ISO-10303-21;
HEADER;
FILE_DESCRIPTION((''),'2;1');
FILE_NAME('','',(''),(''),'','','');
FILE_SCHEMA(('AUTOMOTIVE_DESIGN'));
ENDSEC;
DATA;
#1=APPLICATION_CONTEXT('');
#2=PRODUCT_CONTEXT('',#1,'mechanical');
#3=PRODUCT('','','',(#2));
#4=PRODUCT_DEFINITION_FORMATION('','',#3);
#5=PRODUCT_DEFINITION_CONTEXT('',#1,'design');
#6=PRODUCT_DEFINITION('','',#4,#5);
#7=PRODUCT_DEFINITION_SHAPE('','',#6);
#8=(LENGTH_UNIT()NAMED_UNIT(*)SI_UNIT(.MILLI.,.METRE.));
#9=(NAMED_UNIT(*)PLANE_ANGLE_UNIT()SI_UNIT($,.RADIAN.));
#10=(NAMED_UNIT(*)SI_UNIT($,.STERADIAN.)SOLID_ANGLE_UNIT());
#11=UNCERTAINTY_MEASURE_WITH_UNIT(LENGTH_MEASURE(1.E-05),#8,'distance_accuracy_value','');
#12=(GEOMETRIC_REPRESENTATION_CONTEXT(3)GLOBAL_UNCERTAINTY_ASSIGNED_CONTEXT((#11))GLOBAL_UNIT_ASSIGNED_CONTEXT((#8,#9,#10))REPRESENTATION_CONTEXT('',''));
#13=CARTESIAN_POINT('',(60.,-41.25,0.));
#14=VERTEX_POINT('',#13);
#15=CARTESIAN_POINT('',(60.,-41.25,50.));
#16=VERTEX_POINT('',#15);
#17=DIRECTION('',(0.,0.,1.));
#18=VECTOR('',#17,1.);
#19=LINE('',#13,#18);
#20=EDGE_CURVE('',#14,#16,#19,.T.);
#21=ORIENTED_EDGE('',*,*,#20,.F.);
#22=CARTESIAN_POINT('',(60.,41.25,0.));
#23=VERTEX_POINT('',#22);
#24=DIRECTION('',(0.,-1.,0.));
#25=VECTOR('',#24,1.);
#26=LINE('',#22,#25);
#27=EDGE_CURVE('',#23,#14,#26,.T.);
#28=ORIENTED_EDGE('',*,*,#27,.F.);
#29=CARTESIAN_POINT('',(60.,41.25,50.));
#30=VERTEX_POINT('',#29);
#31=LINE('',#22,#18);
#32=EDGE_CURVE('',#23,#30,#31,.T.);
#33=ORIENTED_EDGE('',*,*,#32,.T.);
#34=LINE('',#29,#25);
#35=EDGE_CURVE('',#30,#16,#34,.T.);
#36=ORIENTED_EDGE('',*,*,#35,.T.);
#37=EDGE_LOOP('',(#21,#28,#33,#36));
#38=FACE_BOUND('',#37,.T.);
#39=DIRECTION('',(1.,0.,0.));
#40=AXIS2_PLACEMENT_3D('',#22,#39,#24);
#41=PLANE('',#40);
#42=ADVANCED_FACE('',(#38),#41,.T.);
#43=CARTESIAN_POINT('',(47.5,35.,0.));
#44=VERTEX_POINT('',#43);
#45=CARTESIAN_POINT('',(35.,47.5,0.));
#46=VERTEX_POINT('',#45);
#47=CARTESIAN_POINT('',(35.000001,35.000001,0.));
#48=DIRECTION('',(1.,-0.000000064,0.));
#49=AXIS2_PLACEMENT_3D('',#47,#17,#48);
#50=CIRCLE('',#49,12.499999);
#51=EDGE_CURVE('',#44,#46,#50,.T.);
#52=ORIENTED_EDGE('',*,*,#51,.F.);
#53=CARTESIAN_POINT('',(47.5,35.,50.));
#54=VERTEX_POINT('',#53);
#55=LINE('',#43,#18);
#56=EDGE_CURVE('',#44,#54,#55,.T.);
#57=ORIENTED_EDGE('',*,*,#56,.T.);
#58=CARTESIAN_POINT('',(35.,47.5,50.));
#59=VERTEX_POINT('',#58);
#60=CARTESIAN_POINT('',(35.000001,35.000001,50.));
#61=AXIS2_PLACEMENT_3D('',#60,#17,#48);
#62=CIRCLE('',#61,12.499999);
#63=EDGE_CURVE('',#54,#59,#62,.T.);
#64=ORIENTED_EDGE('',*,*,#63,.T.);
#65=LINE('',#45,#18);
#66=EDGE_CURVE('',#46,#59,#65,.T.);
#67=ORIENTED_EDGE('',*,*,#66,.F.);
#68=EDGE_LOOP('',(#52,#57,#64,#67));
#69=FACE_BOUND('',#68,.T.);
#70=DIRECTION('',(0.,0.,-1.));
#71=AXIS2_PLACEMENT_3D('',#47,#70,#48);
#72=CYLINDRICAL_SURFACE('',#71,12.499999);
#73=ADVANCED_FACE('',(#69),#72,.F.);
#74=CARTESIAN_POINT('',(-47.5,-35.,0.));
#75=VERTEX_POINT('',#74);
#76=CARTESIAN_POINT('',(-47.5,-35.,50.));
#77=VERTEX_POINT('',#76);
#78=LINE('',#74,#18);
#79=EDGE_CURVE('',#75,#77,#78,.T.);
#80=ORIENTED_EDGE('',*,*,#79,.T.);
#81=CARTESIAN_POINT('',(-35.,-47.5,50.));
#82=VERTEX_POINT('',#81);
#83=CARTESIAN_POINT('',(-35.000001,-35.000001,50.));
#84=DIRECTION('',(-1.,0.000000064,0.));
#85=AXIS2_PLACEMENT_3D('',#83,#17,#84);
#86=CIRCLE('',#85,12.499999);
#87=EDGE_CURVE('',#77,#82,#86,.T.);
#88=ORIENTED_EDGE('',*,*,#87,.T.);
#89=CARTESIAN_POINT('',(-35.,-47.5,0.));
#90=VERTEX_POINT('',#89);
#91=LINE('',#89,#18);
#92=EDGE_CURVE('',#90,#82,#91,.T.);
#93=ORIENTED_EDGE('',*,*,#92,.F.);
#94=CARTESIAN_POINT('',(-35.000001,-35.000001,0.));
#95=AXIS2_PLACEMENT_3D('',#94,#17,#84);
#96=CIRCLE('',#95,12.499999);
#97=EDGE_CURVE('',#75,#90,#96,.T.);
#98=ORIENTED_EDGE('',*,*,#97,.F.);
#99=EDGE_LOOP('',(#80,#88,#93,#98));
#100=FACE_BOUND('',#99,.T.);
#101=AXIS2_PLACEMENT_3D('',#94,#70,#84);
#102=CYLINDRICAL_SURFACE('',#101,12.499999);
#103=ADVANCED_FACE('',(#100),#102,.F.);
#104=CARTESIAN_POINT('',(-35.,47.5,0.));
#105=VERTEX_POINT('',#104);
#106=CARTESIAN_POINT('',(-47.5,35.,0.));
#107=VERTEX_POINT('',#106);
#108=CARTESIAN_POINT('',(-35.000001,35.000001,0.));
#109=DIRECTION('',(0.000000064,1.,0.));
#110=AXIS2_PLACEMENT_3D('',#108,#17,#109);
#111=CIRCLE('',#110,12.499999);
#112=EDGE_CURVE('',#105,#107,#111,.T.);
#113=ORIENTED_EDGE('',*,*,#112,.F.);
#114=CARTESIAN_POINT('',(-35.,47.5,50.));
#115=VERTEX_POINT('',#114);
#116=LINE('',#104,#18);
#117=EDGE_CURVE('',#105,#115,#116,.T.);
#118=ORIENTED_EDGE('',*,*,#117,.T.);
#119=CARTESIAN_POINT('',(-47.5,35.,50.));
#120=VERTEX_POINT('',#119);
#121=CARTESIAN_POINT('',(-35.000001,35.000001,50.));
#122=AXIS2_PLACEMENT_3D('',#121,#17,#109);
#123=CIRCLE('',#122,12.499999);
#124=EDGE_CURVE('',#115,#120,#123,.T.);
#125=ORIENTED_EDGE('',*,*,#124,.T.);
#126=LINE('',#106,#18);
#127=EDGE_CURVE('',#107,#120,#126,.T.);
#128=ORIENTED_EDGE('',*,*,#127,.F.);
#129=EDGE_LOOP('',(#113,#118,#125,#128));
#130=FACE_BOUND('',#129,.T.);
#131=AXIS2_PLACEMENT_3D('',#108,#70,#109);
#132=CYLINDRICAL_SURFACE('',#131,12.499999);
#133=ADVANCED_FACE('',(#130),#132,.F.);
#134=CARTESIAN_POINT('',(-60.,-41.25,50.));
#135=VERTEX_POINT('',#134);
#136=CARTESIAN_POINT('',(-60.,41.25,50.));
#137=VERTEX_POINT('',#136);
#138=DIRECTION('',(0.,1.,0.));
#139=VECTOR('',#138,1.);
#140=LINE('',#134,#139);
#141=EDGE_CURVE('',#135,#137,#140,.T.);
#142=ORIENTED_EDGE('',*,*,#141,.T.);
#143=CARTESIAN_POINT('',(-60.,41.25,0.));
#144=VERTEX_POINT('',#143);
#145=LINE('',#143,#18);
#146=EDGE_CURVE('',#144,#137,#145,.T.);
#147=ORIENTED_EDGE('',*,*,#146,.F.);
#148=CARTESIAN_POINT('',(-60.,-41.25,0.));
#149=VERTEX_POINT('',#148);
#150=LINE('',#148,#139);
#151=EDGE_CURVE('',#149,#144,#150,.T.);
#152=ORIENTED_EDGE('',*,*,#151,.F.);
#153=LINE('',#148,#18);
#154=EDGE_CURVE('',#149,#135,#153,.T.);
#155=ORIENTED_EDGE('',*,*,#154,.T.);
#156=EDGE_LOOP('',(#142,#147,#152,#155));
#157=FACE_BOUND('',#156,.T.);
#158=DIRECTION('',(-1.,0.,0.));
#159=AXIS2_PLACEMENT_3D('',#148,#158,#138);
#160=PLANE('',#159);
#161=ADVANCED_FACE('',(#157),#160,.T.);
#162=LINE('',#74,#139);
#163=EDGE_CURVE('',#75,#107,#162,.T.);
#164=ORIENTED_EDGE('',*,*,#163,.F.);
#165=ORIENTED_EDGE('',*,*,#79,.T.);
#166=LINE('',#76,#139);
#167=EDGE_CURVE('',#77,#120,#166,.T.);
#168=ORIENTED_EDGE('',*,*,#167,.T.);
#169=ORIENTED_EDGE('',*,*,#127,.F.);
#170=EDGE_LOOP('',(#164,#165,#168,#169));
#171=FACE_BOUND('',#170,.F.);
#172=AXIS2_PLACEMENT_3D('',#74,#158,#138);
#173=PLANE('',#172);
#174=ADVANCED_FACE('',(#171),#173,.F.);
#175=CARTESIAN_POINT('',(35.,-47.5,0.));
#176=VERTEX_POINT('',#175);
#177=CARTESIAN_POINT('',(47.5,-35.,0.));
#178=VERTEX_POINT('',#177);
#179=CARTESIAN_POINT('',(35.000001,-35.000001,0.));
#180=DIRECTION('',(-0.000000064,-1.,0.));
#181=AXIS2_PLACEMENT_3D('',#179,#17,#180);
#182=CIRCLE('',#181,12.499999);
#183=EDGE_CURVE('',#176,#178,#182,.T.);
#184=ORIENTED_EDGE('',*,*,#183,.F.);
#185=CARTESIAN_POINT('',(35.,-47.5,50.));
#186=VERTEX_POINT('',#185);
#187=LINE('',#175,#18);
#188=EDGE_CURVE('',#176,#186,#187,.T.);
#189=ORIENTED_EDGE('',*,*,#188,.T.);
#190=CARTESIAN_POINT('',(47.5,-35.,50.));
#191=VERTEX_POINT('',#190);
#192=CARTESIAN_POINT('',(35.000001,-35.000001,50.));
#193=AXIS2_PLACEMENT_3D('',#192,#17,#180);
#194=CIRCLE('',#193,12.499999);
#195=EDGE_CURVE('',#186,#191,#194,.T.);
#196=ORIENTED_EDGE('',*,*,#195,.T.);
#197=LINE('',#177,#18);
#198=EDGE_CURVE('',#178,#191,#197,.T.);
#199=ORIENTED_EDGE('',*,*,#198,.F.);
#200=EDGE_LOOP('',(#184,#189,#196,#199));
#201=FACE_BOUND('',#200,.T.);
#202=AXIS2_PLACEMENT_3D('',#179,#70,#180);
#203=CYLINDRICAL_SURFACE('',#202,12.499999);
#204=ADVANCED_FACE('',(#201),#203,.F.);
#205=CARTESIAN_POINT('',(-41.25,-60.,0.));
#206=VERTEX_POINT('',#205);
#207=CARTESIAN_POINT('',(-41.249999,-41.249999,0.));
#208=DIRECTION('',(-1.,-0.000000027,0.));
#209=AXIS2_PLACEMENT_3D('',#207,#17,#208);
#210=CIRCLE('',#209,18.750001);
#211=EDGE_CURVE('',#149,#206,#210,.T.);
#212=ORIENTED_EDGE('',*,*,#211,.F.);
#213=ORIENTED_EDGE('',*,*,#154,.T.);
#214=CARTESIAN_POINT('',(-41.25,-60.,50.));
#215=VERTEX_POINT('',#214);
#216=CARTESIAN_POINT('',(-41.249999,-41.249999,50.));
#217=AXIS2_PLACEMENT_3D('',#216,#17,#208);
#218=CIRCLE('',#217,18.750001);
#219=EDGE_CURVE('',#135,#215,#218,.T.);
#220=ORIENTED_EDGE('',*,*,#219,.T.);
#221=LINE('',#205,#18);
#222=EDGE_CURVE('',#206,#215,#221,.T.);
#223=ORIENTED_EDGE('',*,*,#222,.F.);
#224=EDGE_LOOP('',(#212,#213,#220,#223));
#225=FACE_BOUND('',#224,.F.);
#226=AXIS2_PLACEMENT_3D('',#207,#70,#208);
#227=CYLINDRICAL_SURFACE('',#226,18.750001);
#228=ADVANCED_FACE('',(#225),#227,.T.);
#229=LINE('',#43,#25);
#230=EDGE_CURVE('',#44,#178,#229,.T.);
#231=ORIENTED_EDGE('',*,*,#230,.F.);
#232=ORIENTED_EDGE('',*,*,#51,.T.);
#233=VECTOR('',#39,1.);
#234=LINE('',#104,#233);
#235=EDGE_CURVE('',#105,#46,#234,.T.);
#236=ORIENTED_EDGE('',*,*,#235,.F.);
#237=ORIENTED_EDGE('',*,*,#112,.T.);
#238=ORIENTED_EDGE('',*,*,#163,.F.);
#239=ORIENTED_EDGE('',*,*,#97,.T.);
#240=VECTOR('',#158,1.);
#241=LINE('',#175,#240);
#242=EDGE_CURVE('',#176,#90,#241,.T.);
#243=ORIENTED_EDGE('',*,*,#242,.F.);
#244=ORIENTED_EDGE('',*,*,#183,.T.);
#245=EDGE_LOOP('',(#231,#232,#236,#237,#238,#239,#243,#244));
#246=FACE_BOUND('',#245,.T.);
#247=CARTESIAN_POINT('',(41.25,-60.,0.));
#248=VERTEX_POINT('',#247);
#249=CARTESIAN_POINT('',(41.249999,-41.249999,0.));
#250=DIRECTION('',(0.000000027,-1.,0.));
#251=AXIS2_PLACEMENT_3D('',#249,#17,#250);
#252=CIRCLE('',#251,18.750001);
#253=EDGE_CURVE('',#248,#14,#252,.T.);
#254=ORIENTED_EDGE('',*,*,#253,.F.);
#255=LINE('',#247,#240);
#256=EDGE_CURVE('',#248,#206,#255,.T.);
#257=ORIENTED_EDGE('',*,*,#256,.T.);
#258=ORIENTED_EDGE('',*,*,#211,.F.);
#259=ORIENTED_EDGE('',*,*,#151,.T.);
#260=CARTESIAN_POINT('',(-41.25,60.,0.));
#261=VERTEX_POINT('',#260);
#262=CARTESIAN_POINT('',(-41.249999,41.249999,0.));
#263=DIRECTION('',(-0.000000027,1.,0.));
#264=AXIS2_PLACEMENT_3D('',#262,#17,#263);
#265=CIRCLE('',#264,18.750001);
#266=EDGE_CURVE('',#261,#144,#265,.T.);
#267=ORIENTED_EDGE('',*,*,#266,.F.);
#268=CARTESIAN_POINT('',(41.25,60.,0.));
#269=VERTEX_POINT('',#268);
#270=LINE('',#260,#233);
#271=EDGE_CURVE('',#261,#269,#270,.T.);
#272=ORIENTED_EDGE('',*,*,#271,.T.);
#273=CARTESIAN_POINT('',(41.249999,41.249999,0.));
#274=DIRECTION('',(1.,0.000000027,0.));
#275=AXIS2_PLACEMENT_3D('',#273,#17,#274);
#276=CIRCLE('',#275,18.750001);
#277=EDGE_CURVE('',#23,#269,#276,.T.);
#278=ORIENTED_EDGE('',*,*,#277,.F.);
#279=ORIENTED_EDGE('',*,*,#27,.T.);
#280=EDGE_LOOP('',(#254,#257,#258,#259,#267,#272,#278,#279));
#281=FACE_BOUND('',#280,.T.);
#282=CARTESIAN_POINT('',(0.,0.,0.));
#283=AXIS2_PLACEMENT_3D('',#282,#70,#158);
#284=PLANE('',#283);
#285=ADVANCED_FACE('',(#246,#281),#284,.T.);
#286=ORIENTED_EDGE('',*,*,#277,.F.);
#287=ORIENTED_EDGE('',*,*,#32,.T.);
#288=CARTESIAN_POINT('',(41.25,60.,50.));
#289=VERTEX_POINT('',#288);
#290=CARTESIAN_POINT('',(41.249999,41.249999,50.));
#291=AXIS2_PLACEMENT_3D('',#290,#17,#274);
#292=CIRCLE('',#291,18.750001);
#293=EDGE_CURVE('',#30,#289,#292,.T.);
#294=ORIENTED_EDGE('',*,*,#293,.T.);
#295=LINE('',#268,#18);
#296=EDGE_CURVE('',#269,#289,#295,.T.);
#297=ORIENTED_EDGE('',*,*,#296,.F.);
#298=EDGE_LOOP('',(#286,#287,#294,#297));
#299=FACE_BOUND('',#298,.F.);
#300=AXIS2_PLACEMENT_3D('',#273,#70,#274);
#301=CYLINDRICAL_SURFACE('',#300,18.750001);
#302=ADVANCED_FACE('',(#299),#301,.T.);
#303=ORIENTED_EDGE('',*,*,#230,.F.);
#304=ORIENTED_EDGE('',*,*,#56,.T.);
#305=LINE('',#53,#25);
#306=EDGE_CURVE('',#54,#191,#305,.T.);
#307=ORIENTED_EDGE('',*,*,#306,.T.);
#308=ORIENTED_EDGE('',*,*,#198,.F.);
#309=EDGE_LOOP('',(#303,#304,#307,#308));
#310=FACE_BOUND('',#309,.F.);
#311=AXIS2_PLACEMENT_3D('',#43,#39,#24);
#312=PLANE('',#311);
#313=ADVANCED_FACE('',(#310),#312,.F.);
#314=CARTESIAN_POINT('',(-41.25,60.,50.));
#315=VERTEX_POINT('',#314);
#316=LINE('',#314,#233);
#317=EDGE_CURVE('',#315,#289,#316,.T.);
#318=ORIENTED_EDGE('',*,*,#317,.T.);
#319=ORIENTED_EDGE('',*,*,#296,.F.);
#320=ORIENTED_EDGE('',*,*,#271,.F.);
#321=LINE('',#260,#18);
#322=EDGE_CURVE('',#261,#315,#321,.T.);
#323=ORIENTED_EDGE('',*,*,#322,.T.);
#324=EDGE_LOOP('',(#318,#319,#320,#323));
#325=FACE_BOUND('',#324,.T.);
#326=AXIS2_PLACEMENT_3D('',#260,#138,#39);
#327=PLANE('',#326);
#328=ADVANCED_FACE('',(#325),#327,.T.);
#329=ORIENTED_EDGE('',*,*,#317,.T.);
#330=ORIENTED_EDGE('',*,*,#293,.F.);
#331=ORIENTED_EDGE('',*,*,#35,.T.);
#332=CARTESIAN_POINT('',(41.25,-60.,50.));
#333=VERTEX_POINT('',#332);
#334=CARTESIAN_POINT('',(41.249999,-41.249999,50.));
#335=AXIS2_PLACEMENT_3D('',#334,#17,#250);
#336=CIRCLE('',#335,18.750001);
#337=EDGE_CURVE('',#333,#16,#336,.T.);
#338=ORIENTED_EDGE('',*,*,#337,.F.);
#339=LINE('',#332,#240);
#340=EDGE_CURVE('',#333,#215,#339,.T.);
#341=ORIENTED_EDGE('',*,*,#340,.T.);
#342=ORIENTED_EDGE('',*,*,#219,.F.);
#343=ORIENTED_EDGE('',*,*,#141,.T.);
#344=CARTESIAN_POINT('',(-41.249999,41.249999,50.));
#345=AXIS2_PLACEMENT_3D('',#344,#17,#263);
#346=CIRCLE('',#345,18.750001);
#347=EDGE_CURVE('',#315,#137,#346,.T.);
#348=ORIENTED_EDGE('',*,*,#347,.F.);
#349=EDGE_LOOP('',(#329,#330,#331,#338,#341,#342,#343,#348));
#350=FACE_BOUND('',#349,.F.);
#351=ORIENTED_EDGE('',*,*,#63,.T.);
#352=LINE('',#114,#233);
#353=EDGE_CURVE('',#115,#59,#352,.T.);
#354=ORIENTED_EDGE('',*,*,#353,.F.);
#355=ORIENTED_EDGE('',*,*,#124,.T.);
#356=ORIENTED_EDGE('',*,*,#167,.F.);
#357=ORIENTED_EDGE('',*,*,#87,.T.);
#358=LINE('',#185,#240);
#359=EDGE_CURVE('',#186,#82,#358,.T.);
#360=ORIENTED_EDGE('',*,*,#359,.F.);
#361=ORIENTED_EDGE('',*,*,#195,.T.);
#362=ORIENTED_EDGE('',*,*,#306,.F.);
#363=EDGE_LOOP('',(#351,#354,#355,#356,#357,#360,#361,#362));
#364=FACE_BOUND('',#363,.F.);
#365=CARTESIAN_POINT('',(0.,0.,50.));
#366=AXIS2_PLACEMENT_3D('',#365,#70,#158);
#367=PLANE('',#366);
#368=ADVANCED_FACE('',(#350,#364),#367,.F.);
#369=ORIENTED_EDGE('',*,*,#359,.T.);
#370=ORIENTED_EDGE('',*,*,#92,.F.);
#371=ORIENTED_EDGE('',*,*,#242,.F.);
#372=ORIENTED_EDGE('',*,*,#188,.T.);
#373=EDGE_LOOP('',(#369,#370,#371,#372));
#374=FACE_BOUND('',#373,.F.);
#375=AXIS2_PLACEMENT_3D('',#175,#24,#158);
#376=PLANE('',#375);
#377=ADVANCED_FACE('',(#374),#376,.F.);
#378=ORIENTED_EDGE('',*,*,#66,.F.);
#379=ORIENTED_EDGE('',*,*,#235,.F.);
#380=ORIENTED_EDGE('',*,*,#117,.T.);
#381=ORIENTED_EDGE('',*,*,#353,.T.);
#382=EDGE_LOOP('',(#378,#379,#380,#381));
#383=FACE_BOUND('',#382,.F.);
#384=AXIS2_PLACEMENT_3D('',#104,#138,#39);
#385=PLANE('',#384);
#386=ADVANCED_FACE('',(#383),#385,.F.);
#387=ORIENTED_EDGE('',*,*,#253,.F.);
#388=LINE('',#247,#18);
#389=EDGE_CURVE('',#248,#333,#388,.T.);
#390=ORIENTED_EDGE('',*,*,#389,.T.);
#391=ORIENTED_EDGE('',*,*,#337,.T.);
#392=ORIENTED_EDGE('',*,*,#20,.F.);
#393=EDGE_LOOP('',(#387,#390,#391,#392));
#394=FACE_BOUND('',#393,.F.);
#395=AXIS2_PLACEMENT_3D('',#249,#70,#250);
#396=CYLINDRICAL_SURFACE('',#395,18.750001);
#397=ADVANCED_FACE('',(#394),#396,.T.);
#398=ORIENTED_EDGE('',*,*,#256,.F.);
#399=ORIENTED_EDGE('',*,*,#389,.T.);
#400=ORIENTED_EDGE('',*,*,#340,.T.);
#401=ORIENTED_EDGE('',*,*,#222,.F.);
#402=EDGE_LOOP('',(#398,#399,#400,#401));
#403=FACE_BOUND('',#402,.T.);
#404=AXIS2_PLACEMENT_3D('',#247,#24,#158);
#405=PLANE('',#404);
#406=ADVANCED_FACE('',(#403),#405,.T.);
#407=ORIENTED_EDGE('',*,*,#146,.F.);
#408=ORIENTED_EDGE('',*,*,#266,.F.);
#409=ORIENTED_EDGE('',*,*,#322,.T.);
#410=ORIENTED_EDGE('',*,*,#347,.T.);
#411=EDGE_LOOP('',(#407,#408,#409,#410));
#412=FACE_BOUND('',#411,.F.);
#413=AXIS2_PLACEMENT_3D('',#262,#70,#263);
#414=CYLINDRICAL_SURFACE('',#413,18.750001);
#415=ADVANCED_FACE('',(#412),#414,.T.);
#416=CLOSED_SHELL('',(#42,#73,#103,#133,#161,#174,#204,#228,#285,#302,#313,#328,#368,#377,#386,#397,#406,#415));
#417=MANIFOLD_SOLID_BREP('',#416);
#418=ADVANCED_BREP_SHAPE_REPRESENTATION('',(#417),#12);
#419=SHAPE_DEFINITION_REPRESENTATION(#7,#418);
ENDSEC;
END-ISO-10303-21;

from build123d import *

# Parameters (mm, degrees)
EXTRUDE_DEPTH = 50


with BuildPart() as part:
    # Sketch → Extrude (new body)
    with BuildSketch(Plane.XY):
        with BuildLine():
            Line((-41.25, 60), (41.25, 60))
            ThreePointArc((60, 41.25), (54.508252, 54.508252), (41.25, 60))
            Line((60, 41.25), (60, -41.25))
            ThreePointArc((41.25, -60), (54.508252, -54.508252), (60, -41.25))
            Line((41.25, -60), (-41.25, -60))
            ThreePointArc((-60, -41.25), (-54.508252, -54.508252), (-41.25, -60))
            Line((-60, -41.25), (-60, 41.25))
            ThreePointArc((-41.25, 60), (-54.508252, 54.508252), (-60, 41.25))
        make_face()
        with BuildLine():
            Line((-35, 47.5), (35, 47.5))
            ThreePointArc((47.5, 35), (43.838835, 43.838835), (35, 47.5))
            Line((47.5, 35), (47.5, -35))
            ThreePointArc((35, -47.5), (43.838835, -43.838835), (47.5, -35))
            Line((35, -47.5), (-35, -47.5))
            ThreePointArc((-47.5, -35), (-43.838835, -43.838835), (-35, -47.5))
            Line((-47.5, -35), (-47.5, 35))
            ThreePointArc((-35, 47.5), (-43.838835, 43.838835), (-47.5, 35))
        make_face(mode=Mode.SUBTRACT)
    extrude(amount=EXTRUDE_DEPTH)


solid = part.part
